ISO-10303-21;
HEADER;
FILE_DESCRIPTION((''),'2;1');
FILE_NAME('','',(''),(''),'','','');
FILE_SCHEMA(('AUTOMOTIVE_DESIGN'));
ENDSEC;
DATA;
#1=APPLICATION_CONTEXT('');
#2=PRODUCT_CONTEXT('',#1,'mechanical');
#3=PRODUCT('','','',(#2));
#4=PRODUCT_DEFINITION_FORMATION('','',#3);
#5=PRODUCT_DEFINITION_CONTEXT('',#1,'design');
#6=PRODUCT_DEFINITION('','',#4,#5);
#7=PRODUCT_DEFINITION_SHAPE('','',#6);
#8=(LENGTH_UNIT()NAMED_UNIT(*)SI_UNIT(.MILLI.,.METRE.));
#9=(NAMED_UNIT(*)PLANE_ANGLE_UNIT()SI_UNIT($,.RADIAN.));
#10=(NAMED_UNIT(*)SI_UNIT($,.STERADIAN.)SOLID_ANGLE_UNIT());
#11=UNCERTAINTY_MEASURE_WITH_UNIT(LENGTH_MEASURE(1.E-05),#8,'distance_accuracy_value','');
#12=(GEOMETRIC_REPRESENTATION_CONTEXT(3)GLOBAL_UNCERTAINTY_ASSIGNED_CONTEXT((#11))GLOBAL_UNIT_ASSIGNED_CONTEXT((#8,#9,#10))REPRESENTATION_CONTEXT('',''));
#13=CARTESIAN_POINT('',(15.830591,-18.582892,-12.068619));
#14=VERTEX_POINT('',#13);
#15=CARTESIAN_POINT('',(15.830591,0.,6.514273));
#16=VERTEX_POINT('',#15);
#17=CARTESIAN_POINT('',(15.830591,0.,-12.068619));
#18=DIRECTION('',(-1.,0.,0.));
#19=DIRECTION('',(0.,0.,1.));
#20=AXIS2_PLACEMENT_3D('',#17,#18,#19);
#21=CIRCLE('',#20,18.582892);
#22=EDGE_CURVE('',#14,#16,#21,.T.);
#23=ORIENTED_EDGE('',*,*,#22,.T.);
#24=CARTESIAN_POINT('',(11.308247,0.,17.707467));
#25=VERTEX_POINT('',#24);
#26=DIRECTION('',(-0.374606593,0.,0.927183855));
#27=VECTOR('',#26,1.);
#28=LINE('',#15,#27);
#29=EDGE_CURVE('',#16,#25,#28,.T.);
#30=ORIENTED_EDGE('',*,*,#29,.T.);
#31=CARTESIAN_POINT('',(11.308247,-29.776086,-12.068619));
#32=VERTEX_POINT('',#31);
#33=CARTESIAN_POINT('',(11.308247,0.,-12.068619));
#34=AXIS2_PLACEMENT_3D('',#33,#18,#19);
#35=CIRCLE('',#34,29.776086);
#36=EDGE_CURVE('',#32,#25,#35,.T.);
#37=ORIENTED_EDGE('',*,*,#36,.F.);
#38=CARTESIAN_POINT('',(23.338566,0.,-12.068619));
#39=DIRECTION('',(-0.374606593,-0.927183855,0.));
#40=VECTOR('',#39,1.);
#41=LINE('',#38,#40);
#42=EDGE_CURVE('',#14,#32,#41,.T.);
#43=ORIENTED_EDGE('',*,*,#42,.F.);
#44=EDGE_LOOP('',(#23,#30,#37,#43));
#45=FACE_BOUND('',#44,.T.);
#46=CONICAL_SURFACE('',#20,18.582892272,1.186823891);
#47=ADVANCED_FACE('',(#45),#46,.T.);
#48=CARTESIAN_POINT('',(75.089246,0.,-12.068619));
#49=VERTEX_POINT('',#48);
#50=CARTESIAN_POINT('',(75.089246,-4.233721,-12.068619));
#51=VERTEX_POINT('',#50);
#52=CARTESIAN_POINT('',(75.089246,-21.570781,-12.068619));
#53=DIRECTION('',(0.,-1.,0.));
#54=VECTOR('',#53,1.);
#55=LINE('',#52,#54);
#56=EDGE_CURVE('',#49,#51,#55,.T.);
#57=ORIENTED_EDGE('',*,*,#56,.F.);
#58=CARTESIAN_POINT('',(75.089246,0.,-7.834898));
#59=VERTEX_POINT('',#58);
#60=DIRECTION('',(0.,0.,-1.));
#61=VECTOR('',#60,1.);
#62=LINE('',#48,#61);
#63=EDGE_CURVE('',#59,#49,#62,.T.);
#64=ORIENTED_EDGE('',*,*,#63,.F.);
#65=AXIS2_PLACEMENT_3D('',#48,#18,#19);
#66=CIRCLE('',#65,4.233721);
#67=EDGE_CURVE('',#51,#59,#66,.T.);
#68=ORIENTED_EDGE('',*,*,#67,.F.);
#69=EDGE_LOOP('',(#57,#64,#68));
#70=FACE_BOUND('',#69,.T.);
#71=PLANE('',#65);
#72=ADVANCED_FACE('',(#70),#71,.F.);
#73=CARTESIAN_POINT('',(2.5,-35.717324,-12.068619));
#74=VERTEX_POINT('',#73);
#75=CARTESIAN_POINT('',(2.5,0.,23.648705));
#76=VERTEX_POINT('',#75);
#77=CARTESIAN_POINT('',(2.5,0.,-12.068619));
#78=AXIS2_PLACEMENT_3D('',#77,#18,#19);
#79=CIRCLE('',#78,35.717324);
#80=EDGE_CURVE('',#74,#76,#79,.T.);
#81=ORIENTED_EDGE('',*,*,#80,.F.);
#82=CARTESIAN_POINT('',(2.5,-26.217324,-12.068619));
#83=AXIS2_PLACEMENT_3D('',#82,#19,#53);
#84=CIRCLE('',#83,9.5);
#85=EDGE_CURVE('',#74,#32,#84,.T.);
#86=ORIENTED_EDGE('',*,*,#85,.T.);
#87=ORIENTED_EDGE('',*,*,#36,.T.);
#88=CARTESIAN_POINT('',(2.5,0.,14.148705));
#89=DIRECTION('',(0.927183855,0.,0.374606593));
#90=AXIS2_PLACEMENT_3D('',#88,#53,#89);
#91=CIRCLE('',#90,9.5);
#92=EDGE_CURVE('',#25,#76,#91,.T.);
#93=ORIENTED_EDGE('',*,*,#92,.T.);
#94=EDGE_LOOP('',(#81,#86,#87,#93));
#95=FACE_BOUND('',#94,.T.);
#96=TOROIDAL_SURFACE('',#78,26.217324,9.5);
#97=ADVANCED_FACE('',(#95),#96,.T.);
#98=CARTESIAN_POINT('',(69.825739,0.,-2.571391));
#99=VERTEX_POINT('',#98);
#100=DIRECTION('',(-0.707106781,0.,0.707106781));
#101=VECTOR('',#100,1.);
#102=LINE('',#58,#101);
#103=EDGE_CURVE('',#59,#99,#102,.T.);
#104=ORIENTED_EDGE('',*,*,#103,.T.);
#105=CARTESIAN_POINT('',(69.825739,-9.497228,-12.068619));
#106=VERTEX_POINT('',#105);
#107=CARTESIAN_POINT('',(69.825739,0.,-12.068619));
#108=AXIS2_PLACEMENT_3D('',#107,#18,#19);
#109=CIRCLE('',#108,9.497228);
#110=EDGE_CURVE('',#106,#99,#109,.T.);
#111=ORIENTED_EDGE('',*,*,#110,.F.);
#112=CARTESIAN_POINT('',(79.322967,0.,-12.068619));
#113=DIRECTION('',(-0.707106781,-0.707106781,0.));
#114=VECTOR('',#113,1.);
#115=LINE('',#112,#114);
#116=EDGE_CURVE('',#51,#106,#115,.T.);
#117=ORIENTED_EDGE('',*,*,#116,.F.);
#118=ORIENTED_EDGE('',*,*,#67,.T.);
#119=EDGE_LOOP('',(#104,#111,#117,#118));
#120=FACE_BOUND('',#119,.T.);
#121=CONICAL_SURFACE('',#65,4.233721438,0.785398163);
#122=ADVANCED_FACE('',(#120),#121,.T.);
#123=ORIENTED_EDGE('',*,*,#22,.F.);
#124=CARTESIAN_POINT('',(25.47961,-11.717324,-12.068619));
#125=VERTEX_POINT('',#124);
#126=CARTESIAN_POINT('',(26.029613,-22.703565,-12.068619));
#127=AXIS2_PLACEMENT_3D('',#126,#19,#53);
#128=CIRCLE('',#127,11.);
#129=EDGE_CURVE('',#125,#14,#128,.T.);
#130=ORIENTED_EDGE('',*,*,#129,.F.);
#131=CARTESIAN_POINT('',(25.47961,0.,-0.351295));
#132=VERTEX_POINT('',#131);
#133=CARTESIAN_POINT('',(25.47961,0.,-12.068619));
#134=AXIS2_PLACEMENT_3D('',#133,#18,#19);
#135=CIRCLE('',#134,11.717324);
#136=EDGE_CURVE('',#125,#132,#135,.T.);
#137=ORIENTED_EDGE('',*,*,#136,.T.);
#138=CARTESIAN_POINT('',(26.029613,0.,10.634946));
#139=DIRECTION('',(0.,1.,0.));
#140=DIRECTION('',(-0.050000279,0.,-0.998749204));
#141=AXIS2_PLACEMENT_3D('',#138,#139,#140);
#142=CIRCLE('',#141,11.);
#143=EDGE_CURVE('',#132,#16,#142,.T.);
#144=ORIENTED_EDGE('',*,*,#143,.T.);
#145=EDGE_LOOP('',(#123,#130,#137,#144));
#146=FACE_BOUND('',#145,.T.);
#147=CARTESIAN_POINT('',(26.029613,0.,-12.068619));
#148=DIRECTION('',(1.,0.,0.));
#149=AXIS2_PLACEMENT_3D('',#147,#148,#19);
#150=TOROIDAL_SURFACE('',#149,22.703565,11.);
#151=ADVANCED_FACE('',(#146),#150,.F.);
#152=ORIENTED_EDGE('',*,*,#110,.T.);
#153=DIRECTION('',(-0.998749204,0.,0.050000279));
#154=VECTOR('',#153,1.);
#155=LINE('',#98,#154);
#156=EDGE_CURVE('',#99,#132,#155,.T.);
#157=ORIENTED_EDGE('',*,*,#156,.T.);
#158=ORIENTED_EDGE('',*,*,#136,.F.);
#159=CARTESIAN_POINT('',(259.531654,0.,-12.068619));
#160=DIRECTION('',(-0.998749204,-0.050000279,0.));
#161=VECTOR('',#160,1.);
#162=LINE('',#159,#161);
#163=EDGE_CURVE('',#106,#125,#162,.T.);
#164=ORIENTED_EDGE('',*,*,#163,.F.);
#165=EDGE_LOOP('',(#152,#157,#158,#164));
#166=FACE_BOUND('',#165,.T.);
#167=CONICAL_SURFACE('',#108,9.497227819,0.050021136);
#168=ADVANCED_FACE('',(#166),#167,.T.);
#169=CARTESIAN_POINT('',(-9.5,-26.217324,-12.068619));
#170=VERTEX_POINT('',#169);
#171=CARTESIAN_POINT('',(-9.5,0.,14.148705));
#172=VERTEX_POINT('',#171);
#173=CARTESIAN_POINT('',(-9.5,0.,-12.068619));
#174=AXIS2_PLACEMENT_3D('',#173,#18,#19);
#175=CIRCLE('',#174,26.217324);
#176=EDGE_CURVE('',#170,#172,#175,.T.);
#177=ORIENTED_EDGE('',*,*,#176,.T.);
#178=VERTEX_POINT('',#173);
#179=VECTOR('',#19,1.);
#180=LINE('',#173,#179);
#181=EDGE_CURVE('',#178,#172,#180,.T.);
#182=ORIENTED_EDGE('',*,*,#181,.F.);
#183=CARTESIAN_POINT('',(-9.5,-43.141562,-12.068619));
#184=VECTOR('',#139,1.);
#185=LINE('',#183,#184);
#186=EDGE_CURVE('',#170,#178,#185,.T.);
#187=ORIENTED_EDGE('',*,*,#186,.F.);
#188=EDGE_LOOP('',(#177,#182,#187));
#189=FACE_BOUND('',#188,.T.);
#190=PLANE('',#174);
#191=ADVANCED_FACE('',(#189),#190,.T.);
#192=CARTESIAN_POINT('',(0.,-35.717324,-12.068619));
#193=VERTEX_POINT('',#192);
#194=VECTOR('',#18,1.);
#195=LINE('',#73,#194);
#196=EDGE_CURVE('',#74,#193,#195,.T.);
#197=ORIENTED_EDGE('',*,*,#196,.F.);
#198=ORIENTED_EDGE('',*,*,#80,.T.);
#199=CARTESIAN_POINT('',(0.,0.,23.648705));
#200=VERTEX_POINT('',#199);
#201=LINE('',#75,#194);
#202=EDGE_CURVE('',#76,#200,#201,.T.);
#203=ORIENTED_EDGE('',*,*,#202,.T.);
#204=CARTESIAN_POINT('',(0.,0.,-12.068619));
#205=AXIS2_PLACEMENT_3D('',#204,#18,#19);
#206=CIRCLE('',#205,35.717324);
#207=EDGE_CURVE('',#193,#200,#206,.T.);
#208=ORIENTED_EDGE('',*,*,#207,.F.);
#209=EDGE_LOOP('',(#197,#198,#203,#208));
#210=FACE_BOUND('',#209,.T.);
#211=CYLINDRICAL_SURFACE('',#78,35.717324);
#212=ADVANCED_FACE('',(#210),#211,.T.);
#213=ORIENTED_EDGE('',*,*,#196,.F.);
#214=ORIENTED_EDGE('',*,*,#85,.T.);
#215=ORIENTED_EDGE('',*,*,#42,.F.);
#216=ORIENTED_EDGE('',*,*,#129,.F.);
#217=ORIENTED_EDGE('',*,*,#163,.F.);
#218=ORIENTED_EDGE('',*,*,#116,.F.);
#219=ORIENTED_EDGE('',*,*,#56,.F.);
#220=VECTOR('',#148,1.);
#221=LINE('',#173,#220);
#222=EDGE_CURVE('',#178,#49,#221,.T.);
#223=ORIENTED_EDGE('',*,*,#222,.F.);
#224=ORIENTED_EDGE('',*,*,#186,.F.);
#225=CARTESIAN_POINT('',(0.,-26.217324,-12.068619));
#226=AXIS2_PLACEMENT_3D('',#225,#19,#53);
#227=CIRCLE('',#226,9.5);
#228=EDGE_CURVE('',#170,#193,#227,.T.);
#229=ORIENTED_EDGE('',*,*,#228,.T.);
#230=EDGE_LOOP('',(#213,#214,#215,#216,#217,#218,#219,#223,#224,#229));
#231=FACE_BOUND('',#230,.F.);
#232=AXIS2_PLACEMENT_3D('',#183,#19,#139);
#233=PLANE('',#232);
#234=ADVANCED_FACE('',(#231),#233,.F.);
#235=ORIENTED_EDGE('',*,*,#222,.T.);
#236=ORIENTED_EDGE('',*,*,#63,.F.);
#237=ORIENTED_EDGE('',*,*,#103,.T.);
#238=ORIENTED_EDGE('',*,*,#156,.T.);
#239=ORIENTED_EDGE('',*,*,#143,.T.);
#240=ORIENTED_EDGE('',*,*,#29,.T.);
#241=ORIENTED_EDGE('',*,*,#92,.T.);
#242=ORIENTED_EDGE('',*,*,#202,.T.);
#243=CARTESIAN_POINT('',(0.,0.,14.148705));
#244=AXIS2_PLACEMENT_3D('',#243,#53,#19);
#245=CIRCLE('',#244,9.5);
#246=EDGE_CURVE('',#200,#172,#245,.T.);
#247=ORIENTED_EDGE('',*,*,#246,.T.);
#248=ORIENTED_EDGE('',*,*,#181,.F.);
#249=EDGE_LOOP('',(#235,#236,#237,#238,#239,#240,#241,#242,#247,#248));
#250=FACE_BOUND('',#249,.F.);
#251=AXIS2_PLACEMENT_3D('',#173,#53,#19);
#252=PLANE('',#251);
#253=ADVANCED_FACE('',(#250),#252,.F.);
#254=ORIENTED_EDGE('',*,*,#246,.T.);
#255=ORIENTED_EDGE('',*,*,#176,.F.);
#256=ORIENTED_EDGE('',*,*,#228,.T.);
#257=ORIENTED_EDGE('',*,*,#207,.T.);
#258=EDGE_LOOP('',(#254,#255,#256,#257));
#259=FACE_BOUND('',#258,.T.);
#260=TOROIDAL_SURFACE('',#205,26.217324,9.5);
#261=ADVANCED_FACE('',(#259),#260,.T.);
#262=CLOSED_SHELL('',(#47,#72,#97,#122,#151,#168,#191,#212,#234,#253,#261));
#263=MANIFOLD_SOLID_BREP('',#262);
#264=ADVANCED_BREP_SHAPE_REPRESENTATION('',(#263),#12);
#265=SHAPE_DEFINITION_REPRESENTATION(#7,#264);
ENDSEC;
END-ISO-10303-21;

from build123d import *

# Parameters (mm, degrees)
F3_DEPTH = 100


with BuildPart() as f1:
    # F0 (on Front) → F1 (revolve)
    with BuildSketch(Plane.XZ):
        with BuildLine():
            Line((-9.5, 14.1487045371), (-9.5, 0))
            Line((-9.5, 0), (-9.5, -12.0686190203))
            Line((-9.5, -12.0686190203), (75.0892456093, -12.0686190203))
            Line((75.0892456093, -12.0686190203), (75.0892456093, -7.8348975827))
            Line((75.0892456093, -7.8348975827), (69.8257392278, -2.5713912012))
            Line((69.8257392278, -2.5713912012), (25.4796098432, -0.3512954629))
            ThreePointArc((25.4796098432, -0.3512954629), (19.6523567969, 1.6722115749), (15.8305905143, 6.5142732513))
            Line((15.8305905143, 6.5142732513), (11.3082466184, 17.7074671745))
            ThreePointArc((11.3082466184, 17.7074671745), (7.812332583, 22.0245614764), (2.5, 23.6487045371))
            Line((2.5, 23.6487045371), (0, 23.6487045371))
            ThreePointArc((0, 23.6487045371), (-6.7175144213, 20.8662189584), (-9.5, 14.1487045371))
        make_face()
    revolve(axis=Axis((32.7946228046, 0, -12.0686190203), (-1, 0, 0)))

    # F2 (on face) → F3 (cut)
    with BuildSketch(Plane(origin=(-9.5, 0, 0), x_dir=(0, -1, 0), z_dir=(-1, 0, 0))):
        with BuildLine():
            Line((43.1415624917, -12.0686190203), (26.2173235574, -12.0686190203))
            ThreePointArc((26.2173235574, -12.0686190203), (-18.538447272, -30.6070662923), (0, 14.1487045371))
            Line((0, 14.1487045371), (0, 25.8527714759))
            Line((0, 25.8527714759), (-45.2641583979, 25.8527714759))
            Line((-45.2641583979, 25.8527714759), (-45.2641583979, -49.2445603013))
            Line((-45.2641583979, -49.2445603013), (43.1415624917, -49.2445603013))
            Line((43.1415624917, -49.2445603013), (43.1415624917, -12.0686190203))
        make_face()
        with BuildLine():
            ThreePointArc((0, 14.1487045371), (-18.538447272, -30.6070662923), (26.2173235574, -12.0686190203))
            Line((26.2173235574, -12.0686190203), (0, -12.0686190203))
            Line((0, -12.0686190203), (0, 14.1487045371))
        make_face()
    extrude(amount=-F3_DEPTH, mode=Mode.SUBTRACT)


solid = f1.part
